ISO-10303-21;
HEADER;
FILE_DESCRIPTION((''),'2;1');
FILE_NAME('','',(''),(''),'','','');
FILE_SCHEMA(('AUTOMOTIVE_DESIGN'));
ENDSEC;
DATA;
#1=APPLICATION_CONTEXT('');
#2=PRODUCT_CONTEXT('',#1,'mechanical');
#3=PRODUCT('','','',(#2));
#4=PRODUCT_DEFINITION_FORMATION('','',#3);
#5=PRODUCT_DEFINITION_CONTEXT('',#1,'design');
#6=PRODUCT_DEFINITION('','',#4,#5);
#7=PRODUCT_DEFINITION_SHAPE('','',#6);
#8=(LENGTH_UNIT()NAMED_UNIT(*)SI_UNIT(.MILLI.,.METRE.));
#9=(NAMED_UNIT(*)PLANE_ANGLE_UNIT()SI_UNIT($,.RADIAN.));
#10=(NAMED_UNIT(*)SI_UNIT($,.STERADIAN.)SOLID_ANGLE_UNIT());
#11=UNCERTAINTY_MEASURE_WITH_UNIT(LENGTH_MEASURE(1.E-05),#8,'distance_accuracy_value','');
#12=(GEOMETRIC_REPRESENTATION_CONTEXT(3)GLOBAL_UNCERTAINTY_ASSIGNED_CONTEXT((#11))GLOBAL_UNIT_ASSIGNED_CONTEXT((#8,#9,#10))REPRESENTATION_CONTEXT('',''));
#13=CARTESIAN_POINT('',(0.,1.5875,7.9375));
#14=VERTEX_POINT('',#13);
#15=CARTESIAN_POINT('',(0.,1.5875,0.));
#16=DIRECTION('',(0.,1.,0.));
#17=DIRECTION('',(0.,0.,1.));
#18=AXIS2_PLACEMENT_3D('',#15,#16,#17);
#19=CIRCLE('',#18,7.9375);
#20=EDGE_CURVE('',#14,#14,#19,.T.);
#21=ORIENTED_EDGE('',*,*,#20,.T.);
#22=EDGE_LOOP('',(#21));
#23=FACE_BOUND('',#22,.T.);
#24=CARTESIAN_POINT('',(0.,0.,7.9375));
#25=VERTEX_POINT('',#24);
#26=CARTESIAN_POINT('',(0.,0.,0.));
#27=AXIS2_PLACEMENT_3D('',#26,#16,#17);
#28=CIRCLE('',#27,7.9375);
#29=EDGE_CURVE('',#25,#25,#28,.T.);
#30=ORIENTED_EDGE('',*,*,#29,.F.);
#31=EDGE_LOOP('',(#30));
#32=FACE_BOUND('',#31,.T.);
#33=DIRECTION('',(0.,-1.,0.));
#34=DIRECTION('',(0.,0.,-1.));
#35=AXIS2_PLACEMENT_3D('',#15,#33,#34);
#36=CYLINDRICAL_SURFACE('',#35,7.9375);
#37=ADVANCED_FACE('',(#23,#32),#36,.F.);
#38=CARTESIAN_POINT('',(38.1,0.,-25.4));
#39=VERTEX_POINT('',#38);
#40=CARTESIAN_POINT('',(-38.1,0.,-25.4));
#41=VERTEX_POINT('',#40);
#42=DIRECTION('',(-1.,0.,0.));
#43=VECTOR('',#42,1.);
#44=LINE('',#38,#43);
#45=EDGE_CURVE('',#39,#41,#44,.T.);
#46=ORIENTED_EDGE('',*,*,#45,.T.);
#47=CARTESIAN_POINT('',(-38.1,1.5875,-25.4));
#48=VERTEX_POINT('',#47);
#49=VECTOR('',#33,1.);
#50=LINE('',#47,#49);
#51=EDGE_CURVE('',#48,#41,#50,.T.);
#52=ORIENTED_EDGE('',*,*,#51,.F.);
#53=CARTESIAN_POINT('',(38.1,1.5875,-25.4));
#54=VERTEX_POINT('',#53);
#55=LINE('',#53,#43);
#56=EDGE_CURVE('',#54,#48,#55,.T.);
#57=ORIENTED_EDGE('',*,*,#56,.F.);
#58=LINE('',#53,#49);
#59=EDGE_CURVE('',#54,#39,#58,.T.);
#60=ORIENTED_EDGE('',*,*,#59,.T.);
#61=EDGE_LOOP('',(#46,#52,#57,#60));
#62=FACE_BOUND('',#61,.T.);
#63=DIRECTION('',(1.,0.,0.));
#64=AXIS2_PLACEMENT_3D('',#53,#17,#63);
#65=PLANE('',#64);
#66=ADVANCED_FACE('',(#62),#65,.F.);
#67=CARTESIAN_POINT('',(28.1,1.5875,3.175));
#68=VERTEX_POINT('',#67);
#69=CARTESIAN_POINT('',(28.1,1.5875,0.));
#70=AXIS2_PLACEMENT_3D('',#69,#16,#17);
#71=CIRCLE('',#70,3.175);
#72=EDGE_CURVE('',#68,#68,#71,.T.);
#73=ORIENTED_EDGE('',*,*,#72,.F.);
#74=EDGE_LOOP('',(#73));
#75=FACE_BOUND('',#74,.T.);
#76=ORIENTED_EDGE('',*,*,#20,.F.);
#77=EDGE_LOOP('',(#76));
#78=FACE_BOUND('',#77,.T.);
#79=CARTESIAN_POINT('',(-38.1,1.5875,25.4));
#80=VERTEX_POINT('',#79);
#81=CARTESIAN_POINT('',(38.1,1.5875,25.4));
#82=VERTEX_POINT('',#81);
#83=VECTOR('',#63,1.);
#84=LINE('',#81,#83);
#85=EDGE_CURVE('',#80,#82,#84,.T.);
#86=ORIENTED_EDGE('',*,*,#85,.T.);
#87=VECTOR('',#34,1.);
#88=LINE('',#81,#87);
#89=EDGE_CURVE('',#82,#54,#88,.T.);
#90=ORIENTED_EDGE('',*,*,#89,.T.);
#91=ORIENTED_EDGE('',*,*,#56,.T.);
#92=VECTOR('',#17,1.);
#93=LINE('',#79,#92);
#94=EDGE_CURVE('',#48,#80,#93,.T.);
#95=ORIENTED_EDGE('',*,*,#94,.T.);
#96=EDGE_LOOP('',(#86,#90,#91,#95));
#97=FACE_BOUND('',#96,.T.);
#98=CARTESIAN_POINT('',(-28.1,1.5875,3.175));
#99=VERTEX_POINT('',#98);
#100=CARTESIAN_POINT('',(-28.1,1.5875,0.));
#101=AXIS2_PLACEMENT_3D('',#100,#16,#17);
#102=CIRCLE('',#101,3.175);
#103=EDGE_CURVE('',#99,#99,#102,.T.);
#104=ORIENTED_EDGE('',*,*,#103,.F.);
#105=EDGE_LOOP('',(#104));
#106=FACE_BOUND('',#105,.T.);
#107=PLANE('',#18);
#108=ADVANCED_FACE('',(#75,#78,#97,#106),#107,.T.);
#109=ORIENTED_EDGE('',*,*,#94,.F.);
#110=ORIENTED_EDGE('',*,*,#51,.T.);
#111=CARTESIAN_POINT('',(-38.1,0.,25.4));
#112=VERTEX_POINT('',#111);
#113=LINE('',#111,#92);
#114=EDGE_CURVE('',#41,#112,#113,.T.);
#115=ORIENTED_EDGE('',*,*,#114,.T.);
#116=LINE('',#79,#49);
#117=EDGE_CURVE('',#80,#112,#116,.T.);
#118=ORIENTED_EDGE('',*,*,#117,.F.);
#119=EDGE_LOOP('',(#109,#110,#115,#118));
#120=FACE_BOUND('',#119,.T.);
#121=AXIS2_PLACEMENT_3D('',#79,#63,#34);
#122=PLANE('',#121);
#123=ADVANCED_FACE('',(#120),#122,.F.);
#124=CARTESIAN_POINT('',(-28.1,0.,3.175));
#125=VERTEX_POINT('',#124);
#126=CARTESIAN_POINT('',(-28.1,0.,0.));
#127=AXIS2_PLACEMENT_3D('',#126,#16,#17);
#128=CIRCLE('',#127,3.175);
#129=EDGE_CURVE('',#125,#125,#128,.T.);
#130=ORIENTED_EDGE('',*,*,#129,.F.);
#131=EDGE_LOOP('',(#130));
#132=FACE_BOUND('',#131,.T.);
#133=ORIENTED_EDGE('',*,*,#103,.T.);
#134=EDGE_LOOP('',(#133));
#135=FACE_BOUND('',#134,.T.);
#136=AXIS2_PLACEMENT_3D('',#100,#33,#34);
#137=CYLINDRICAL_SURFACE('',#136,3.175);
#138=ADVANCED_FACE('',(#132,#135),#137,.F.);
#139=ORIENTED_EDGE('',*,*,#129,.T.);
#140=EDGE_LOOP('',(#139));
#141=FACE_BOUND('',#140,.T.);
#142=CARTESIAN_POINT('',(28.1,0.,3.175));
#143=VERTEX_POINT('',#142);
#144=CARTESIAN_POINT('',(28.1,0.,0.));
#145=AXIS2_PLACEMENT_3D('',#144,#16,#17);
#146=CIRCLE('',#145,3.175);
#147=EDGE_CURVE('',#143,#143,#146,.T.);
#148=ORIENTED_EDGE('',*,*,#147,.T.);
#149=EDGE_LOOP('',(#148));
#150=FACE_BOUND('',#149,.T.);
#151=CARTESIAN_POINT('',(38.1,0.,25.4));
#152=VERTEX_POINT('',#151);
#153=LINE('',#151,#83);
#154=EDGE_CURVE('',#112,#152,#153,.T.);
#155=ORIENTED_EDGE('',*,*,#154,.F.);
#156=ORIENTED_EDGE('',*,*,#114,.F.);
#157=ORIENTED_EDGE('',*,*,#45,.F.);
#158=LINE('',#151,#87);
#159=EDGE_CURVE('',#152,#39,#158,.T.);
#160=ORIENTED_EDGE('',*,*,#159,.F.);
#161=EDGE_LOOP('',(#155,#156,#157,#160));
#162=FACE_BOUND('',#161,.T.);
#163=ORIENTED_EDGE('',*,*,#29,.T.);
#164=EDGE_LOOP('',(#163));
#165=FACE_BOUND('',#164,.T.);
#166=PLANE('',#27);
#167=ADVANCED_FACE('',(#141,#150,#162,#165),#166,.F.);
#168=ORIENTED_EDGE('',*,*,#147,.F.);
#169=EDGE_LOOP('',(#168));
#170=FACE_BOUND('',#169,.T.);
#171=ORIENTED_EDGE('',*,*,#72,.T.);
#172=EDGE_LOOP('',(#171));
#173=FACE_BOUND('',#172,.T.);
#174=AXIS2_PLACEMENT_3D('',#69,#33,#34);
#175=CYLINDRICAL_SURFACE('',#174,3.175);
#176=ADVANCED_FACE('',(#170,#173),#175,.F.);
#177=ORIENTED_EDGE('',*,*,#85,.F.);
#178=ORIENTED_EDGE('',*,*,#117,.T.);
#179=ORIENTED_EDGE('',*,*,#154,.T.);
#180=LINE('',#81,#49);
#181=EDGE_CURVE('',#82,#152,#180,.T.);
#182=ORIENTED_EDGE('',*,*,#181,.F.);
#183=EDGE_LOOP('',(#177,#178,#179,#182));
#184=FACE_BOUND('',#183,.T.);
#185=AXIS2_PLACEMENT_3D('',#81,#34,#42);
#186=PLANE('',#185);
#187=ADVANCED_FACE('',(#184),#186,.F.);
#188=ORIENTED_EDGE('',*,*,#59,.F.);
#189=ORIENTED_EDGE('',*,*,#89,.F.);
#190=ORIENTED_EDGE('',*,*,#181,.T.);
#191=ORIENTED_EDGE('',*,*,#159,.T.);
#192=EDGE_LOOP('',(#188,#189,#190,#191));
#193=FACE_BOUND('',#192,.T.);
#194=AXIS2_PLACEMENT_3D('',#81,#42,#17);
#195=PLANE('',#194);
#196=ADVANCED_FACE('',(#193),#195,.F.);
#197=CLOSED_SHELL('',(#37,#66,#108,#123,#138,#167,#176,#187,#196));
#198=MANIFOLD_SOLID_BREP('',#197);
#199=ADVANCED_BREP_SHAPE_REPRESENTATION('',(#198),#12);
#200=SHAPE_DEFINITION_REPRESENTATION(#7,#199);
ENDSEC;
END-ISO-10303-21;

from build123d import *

# Parameters (mm, degrees)
SKETCH1_W           = 76.2
SKETCH1_H           = 50.8
SKETCH1_R           = 7.9375
SKETCH1_R_2         = 3.175
BOSS_EXTRUDE1_DEPTH = 1.5875


with BuildPart() as part:
    # Sketch1 → Boss-Extrude1 (new body)
    with BuildSketch(Plane(origin=(0, 0, 0), x_dir=(1, 0, 0), z_dir=(0, 1, 0))):
        Rectangle(SKETCH1_W, SKETCH1_H)
        with Locations(Location((0, 0, 0), (0, 0, 270))):
            Circle(SKETCH1_R, mode=Mode.SUBTRACT)
        with Locations(Location((-28.1, 0, 0), (0, 0, 270))):
            Circle(SKETCH1_R_2, mode=Mode.SUBTRACT)
        with Locations(Location((28.1, 0, 0), (0, 0, 270))):
            Circle(SKETCH1_R_2, mode=Mode.SUBTRACT)
    extrude(amount=BOSS_EXTRUDE1_DEPTH)


solid = part.part
